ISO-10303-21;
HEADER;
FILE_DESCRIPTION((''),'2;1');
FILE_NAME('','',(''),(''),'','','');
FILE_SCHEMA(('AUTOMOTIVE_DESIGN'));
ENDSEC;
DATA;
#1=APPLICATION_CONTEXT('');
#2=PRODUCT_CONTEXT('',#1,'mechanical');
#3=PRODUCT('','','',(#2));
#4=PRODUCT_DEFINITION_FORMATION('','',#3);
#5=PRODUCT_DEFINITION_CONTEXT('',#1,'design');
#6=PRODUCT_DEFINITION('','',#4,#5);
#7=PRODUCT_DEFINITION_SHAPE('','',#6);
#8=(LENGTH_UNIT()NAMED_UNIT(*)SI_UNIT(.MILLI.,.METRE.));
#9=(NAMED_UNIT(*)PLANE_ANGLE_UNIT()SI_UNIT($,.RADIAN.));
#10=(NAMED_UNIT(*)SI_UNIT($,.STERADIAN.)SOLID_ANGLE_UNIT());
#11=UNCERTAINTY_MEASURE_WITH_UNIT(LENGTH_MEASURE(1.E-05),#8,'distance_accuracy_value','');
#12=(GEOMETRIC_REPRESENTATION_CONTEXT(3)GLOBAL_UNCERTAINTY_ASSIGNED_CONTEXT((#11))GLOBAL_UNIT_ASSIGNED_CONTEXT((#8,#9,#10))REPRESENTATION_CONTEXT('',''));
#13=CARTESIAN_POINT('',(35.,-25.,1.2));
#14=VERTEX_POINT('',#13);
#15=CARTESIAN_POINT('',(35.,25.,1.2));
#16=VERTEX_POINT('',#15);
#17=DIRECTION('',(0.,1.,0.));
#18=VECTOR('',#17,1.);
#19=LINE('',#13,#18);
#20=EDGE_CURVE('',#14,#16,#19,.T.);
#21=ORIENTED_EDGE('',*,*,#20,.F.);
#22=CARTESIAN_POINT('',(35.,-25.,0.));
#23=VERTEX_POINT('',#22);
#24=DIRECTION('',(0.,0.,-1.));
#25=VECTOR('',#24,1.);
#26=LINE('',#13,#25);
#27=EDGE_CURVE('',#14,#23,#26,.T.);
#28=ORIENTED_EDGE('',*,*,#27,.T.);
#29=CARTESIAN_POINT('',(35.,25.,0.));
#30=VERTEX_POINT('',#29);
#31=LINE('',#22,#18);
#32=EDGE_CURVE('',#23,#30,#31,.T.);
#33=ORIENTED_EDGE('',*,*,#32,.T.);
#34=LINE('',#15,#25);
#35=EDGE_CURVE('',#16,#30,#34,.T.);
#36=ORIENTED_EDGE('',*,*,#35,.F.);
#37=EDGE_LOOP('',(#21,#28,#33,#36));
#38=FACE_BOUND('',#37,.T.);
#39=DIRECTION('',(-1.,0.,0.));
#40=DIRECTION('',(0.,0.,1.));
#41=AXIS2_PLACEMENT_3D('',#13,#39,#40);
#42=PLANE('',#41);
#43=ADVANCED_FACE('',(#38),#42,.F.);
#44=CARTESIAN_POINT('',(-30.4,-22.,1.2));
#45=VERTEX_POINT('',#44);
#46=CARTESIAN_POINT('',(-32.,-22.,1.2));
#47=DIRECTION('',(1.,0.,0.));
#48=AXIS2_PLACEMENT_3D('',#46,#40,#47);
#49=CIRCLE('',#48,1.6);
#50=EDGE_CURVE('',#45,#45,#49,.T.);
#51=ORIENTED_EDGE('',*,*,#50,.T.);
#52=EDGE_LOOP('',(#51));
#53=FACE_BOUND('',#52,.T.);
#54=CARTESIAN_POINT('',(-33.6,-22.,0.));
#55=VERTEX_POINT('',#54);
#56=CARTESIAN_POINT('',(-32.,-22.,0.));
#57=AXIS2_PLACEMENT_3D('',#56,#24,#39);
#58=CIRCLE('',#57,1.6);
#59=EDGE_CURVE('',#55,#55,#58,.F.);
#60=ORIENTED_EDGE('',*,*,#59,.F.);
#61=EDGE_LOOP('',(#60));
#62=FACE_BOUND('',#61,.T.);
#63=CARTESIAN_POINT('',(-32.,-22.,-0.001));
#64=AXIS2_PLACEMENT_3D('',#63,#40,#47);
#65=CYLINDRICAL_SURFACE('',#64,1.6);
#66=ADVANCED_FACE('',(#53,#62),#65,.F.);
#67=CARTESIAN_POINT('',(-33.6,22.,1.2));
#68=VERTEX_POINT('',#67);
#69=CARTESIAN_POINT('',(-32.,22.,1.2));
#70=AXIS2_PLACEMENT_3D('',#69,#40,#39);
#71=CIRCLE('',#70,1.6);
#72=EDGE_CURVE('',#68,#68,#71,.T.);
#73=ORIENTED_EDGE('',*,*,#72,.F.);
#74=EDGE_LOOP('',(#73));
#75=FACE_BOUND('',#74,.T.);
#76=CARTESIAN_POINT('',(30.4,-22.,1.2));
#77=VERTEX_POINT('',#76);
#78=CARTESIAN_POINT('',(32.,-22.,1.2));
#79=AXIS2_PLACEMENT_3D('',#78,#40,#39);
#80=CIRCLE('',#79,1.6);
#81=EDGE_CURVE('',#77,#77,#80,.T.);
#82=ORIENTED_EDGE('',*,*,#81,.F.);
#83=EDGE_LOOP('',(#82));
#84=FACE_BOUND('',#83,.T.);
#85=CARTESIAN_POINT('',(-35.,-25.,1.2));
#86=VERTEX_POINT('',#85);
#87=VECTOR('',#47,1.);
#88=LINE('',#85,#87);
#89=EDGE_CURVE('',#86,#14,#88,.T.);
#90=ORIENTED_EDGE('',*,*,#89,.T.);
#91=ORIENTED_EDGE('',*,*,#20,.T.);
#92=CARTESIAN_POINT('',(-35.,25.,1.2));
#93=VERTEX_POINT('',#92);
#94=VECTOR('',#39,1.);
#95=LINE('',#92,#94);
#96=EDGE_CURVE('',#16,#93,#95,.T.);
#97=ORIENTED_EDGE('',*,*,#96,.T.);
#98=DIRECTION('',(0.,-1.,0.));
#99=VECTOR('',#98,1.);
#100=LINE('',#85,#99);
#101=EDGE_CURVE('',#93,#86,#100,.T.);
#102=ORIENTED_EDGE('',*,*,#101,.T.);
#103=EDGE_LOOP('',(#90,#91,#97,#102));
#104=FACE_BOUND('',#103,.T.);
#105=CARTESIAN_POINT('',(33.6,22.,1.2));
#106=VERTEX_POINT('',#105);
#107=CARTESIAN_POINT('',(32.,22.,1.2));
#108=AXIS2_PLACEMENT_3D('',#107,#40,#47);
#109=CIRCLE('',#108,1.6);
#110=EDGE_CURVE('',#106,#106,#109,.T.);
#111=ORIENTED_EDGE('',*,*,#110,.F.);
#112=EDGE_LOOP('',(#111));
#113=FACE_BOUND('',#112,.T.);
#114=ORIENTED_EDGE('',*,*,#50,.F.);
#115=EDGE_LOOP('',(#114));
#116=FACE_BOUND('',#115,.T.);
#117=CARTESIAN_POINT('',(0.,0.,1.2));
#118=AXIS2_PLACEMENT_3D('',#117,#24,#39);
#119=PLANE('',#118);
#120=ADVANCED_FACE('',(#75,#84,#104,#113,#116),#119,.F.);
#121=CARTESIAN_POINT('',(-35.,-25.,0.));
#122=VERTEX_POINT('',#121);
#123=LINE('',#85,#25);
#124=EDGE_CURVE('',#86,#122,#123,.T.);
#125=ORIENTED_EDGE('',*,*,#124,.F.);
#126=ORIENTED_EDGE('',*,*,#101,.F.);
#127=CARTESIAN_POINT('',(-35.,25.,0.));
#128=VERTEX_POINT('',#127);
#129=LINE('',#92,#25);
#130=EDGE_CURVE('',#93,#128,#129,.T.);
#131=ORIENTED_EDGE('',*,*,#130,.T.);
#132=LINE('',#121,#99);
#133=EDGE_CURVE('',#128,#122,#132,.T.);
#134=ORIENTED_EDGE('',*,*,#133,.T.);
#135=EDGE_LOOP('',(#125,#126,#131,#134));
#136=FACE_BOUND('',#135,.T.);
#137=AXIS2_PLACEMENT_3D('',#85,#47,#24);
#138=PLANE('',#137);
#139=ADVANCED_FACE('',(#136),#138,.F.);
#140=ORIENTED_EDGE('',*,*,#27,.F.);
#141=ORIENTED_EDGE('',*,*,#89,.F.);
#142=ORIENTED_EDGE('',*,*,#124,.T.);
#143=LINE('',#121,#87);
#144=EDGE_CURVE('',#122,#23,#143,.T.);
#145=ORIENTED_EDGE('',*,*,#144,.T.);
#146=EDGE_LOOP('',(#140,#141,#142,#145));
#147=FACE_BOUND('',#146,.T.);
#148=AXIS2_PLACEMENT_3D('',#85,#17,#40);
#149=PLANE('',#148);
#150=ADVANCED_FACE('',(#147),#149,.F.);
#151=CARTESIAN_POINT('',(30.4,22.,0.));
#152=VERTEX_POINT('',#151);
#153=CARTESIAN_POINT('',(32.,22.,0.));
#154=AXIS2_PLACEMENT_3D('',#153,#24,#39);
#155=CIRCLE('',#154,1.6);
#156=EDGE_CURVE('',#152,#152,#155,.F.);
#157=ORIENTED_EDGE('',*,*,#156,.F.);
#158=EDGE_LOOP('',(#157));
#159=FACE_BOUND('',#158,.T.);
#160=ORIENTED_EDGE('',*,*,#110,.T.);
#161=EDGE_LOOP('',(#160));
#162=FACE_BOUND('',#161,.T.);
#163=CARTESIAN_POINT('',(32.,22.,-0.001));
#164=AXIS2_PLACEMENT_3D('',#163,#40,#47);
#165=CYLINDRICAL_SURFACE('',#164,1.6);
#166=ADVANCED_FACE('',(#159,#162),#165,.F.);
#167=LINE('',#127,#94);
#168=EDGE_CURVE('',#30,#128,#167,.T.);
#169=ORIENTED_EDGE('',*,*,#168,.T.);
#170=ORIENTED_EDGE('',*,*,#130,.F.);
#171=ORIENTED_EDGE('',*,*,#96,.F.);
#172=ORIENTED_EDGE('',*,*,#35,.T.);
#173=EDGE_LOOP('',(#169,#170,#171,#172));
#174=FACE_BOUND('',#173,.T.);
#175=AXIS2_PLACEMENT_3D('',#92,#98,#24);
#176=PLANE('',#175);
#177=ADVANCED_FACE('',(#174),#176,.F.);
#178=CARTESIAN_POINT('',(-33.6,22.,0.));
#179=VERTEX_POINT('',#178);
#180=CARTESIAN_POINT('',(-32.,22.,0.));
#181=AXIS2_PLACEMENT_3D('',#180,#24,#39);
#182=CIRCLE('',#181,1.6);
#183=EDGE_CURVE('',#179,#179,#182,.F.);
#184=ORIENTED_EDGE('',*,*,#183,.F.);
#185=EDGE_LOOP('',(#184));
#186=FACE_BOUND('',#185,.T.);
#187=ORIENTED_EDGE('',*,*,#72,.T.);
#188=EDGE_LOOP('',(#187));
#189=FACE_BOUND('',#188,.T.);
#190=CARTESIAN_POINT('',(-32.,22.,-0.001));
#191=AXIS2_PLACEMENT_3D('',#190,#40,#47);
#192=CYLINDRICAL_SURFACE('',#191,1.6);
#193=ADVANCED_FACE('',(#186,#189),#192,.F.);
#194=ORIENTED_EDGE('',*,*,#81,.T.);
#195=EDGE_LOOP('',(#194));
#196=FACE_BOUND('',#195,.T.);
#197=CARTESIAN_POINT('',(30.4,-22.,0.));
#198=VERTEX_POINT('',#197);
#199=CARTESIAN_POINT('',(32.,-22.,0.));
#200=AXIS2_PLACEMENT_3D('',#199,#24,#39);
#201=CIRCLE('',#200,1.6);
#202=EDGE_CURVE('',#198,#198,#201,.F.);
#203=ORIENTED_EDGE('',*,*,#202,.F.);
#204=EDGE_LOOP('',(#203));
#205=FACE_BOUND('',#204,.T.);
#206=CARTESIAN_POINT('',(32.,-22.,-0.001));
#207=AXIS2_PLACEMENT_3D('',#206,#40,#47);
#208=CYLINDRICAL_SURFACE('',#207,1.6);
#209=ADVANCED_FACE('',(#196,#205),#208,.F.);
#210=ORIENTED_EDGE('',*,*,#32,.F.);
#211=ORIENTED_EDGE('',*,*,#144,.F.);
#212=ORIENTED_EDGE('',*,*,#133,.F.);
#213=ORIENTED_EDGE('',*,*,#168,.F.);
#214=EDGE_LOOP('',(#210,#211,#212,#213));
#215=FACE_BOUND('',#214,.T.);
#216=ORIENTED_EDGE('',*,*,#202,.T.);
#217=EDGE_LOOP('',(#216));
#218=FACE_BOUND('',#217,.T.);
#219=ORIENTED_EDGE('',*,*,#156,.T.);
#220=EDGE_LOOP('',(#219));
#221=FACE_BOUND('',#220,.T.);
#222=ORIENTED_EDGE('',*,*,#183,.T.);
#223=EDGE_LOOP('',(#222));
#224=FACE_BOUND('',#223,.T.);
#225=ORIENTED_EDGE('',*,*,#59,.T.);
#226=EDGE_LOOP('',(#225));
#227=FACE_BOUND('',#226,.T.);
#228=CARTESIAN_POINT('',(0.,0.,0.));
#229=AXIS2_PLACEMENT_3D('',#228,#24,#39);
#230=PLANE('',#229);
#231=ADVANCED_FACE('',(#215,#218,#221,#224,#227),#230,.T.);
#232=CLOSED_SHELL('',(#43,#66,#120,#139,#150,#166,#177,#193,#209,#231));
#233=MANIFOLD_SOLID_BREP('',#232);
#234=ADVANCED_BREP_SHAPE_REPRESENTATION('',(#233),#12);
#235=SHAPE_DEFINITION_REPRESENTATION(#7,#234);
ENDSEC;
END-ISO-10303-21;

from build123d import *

# Parameters (mm, degrees)
SKETCH1_W           = 70
SKETCH1_H           = 50
BOSS_EXTRUDE1_DEPTH = 1.2
CUT_EXTRUDE1_REACH  = 45.028
SKETCH6_R           = 1.6


with BuildPart() as part:
    # Sketch1 → Boss-Extrude1 (new body)
    with BuildSketch(Plane.XY):
        Rectangle(SKETCH1_W, SKETCH1_H)
    extrude(amount=BOSS_EXTRUDE1_DEPTH)

    # Sketch6 → Cut-Extrude1 (cut, up to next)
    with BuildSketch(Plane.XY.offset(1.2), mode=Mode.PRIVATE) as cut_extrude1_sk1:
        with Locations((-32, -22)):
            Circle(SKETCH6_R)
    cut_extrude1_tool1 = extrude(cut_extrude1_sk1.sketch, amount=-CUT_EXTRUDE1_REACH, mode=Mode.PRIVATE) & part.part
    # Sketch6 → Cut-Extrude1 (cut, up to next)
    with BuildSketch(Plane.XY.offset(1.2), mode=Mode.PRIVATE) as cut_extrude1_sk2:
        with Locations(Location((32, -22, 0), (0, 0, 180))):
            Circle(SKETCH6_R)
    cut_extrude1_tool2 = extrude(cut_extrude1_sk2.sketch, amount=-CUT_EXTRUDE1_REACH, mode=Mode.PRIVATE) & part.part
    # Sketch6 → Cut-Extrude1 (cut, up to next)
    with BuildSketch(Plane.XY.offset(1.2), mode=Mode.PRIVATE) as cut_extrude1_sk3:
        with Locations((32, 22)):
            Circle(SKETCH6_R)
    cut_extrude1_tool3 = extrude(cut_extrude1_sk3.sketch, amount=-CUT_EXTRUDE1_REACH, mode=Mode.PRIVATE) & part.part
    # Sketch6 → Cut-Extrude1 (cut, up to next)
    with BuildSketch(Plane.XY.offset(1.2), mode=Mode.PRIVATE) as cut_extrude1_sk4:
        with Locations(Location((-32, 22, 0), (0, 0, 180))):
            Circle(SKETCH6_R)
    cut_extrude1_tool4 = extrude(cut_extrude1_sk4.sketch, amount=-CUT_EXTRUDE1_REACH, mode=Mode.PRIVATE) & part.part
    add(cut_extrude1_tool1.solids().sort_by_distance((-32, -22, 1.2))[0], mode=Mode.SUBTRACT)
    add(cut_extrude1_tool2.solids().sort_by_distance((32, -22, 1.2))[0], mode=Mode.SUBTRACT)
    add(cut_extrude1_tool3.solids().sort_by_distance((32, 22, 1.2))[0], mode=Mode.SUBTRACT)
    add(cut_extrude1_tool4.solids().sort_by_distance((-32, 22, 1.2))[0], mode=Mode.SUBTRACT)


solid = part.part
